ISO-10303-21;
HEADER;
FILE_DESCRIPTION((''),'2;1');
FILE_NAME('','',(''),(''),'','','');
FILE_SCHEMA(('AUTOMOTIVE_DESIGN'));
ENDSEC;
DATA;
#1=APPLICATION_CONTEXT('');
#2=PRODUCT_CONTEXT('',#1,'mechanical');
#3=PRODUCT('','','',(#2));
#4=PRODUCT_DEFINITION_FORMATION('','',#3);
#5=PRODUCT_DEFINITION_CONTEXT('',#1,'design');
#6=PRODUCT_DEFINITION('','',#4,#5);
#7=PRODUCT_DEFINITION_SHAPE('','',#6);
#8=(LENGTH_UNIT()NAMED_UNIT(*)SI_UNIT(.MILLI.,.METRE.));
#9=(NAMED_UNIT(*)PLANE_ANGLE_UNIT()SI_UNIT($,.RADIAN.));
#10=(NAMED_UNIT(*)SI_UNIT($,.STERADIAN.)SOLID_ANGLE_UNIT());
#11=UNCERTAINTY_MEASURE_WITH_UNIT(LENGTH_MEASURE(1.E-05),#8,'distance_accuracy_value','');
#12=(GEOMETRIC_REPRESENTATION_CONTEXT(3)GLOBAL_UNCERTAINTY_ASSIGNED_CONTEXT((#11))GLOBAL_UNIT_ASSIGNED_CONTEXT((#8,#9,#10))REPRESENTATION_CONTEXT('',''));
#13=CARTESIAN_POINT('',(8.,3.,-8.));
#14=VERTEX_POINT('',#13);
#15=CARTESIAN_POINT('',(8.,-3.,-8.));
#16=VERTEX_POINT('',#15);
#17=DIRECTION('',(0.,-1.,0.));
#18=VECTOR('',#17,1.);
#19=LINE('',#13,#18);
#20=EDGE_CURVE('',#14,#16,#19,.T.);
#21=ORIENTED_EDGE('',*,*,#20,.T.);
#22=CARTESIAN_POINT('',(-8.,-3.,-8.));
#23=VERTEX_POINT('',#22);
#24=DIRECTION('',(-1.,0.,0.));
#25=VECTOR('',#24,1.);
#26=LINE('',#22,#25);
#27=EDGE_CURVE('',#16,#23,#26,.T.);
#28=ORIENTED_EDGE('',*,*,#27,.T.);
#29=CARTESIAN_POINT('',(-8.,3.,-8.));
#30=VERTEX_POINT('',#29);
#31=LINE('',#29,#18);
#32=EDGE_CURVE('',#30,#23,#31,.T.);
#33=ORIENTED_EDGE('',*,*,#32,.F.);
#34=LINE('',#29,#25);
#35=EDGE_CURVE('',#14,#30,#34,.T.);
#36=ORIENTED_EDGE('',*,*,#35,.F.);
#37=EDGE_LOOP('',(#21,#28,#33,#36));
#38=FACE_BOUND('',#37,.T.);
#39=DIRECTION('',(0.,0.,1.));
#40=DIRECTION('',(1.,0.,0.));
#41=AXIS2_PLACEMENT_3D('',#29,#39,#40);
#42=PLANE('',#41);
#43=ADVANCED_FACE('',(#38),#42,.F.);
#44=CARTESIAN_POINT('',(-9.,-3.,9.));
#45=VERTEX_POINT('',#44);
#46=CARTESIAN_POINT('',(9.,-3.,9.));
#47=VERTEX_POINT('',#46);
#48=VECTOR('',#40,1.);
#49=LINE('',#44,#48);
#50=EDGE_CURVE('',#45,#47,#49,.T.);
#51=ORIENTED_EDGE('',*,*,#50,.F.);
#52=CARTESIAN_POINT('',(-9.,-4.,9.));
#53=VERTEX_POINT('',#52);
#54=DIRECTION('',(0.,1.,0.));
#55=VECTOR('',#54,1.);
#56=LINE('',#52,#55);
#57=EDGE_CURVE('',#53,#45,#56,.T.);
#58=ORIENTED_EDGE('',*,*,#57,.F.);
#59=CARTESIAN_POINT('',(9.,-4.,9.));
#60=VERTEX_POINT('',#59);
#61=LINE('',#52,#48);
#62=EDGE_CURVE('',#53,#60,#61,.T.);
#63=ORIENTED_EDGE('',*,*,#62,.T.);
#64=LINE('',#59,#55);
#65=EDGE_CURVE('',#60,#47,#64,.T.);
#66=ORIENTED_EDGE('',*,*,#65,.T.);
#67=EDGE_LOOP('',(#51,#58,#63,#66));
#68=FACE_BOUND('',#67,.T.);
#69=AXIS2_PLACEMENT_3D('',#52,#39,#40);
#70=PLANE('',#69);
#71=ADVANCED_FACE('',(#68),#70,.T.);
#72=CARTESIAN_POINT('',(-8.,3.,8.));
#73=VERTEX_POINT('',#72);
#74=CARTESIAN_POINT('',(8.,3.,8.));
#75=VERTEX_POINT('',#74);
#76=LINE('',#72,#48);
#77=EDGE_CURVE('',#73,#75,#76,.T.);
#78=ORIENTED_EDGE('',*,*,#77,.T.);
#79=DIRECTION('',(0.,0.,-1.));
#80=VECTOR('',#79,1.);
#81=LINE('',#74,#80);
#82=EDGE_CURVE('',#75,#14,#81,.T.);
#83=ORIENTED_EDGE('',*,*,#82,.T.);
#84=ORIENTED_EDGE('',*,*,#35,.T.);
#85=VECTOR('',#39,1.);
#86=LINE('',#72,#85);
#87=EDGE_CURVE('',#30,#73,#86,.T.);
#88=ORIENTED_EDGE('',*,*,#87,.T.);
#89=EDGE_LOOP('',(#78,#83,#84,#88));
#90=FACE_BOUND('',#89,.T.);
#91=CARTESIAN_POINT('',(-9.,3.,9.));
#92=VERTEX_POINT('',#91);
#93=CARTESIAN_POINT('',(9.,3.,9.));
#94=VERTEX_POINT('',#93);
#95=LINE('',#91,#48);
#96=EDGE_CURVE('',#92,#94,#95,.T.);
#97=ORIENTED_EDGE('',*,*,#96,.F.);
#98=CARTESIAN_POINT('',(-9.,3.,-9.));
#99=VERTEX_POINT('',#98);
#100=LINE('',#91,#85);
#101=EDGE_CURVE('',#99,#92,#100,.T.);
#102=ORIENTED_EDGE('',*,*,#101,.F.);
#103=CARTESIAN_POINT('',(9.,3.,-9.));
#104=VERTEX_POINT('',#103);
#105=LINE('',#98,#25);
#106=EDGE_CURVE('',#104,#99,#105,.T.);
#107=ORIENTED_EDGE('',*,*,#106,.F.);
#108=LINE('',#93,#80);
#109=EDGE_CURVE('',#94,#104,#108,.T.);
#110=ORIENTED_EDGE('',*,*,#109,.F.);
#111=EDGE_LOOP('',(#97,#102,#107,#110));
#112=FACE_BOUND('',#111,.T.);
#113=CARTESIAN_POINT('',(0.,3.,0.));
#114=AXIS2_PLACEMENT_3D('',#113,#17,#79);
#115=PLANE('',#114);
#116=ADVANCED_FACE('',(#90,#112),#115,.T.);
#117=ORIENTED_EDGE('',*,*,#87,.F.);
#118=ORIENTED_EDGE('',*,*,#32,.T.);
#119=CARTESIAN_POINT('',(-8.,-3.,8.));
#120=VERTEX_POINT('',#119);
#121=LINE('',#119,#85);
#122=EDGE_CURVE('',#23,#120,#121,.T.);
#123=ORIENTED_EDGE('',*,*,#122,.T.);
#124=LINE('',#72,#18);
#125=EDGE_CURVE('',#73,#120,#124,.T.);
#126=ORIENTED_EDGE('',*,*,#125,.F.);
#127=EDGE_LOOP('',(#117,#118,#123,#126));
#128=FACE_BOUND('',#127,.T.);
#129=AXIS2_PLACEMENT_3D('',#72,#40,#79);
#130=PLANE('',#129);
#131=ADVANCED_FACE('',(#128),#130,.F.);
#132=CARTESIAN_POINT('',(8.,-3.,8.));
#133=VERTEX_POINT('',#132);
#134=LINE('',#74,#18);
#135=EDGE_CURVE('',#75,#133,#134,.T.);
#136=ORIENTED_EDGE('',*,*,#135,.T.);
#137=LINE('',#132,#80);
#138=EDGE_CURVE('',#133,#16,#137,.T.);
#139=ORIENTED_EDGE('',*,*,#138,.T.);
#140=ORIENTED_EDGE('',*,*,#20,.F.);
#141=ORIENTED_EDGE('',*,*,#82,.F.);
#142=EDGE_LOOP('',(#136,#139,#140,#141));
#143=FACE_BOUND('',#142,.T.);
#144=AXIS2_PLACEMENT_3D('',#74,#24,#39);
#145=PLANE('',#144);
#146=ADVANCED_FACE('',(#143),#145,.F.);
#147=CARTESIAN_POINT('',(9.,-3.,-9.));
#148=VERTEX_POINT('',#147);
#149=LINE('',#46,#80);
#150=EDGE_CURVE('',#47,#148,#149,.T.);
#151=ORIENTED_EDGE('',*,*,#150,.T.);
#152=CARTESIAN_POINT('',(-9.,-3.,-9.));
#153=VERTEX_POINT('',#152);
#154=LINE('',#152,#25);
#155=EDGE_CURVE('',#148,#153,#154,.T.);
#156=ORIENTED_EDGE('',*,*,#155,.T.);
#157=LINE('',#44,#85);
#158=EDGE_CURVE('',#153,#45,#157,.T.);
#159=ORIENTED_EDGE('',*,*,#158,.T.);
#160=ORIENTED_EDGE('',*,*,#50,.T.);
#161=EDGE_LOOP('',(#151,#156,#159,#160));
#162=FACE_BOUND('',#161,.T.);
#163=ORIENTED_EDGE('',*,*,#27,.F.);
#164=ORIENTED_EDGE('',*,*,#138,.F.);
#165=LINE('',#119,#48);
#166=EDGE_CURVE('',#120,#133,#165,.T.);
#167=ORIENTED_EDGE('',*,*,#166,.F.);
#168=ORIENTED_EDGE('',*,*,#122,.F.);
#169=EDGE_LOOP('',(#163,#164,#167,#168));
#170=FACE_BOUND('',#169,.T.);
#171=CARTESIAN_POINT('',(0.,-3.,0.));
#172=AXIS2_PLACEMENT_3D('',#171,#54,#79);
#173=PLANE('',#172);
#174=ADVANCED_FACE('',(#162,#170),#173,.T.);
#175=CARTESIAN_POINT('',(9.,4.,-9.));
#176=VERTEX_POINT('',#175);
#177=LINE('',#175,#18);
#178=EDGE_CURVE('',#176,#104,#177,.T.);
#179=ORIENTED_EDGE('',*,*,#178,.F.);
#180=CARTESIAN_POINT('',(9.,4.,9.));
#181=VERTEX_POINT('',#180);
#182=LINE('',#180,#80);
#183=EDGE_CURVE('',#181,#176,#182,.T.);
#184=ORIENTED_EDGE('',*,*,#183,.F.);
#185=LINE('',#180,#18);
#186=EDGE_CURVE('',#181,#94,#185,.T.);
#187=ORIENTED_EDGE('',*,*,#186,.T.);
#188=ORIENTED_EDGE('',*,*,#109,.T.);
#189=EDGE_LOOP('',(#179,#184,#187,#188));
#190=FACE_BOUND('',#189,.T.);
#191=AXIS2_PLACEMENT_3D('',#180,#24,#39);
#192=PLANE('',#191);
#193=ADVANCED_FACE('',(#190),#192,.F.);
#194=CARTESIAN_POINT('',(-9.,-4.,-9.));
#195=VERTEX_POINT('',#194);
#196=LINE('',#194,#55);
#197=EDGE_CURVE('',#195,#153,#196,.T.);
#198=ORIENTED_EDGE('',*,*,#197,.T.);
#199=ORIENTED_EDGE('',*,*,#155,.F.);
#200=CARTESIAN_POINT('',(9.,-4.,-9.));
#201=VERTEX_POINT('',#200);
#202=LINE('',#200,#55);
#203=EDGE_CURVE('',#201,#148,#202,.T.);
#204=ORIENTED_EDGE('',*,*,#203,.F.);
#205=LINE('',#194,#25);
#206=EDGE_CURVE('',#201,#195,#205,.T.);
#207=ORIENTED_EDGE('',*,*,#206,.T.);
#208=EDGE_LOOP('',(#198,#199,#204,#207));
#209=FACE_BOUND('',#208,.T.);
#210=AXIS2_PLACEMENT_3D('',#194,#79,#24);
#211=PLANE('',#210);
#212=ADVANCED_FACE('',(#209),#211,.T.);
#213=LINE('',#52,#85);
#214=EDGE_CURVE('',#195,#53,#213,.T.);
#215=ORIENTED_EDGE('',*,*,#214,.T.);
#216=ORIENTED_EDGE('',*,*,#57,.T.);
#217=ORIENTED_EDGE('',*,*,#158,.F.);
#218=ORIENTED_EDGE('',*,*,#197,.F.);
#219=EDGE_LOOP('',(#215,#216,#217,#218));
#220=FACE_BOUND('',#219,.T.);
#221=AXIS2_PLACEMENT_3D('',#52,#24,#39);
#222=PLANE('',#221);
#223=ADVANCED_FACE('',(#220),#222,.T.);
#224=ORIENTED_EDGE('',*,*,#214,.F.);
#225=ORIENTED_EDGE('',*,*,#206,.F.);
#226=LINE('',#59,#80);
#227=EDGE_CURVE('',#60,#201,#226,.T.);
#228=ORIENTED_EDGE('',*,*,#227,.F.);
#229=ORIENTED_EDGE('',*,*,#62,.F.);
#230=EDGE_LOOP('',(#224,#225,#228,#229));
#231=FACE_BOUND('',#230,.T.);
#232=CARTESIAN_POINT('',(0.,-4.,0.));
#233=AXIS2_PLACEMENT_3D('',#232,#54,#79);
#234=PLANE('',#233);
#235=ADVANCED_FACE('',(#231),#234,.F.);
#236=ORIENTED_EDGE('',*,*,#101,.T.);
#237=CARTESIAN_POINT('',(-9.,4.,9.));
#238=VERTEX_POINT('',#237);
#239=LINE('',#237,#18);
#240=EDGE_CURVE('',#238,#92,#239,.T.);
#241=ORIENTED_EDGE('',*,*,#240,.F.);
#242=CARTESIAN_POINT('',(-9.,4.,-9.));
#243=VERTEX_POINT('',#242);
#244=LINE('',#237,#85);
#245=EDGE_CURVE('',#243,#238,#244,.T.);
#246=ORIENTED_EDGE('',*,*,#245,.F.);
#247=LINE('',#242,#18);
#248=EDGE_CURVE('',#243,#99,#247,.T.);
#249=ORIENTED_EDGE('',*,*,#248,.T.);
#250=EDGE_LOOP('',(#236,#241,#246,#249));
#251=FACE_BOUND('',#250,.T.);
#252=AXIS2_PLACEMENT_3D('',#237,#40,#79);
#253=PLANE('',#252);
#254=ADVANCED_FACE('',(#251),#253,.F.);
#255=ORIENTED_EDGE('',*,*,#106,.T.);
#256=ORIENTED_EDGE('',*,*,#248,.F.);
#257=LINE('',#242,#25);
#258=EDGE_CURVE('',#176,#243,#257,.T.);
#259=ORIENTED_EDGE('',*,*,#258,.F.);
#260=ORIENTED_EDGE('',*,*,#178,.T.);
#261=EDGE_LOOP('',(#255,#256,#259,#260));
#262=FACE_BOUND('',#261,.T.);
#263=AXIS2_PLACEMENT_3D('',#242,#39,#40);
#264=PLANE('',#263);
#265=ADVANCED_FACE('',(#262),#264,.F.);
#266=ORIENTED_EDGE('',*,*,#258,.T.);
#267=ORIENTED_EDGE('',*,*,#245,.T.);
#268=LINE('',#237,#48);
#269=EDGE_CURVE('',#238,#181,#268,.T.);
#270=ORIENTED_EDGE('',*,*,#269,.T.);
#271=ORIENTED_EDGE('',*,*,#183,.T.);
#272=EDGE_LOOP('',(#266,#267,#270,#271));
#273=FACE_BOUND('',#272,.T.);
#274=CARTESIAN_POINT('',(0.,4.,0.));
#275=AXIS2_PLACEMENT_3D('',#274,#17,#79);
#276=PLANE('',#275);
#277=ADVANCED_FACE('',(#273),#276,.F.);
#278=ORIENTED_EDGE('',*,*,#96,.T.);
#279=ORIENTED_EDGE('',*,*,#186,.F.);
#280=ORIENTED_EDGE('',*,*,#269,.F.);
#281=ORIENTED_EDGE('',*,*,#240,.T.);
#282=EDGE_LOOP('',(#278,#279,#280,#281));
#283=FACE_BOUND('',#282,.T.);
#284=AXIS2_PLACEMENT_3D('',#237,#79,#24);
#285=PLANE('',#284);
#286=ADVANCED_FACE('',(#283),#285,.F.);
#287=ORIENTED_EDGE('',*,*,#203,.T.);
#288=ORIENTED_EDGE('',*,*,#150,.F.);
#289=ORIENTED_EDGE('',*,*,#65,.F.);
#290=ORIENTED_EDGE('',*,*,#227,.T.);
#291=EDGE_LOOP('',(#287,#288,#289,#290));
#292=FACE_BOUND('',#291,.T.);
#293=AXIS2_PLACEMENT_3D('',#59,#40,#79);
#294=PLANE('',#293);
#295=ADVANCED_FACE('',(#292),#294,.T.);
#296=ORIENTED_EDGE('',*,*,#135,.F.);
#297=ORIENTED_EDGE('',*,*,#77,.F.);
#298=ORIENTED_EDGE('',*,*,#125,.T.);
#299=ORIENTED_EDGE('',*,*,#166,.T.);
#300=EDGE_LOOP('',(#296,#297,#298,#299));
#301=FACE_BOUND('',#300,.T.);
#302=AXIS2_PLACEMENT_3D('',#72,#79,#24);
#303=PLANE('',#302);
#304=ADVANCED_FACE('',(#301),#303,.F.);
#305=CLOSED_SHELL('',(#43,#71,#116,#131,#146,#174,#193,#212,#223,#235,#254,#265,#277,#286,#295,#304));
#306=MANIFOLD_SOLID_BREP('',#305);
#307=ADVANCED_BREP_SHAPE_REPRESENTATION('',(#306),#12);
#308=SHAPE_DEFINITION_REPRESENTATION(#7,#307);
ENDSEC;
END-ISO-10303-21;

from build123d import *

# Parameters (mm, degrees)
SKETCH_1_W      = 16
SKETCH_1_H      = 16
EXTRUDE_1_DEPTH = 3
SKETCH_2_W      = 18
SKETCH_2_H      = 18
EXTRUDE_2_DEPTH = 1


with BuildPart() as part:
    # Эскиз1 → Бобышка-Вытянуть1 (new, symmetric)
    with BuildSketch(Plane(origin=(0, 0, 0), x_dir=(1, 0, 0), z_dir=(0, 1, 0))):
        Rectangle(SKETCH_1_W, SKETCH_1_H)
    extrude(amount=EXTRUDE_1_DEPTH, both=True)

    # Эскиз2 → Бобышка-Вытянуть2 (add)
    with BuildSketch(Plane(origin=(0, 3, 0), x_dir=(1, 0, 0), z_dir=(0, 1, 0))):
        Rectangle(SKETCH_2_W, SKETCH_2_H)
    extrude_2 = extrude(amount=EXTRUDE_2_DEPTH)

    # Зеркальное отражение1: Бобышка-Вытянуть2 across plane
    add(extrude_2.mirror(Plane.ZX))


solid = part.part
